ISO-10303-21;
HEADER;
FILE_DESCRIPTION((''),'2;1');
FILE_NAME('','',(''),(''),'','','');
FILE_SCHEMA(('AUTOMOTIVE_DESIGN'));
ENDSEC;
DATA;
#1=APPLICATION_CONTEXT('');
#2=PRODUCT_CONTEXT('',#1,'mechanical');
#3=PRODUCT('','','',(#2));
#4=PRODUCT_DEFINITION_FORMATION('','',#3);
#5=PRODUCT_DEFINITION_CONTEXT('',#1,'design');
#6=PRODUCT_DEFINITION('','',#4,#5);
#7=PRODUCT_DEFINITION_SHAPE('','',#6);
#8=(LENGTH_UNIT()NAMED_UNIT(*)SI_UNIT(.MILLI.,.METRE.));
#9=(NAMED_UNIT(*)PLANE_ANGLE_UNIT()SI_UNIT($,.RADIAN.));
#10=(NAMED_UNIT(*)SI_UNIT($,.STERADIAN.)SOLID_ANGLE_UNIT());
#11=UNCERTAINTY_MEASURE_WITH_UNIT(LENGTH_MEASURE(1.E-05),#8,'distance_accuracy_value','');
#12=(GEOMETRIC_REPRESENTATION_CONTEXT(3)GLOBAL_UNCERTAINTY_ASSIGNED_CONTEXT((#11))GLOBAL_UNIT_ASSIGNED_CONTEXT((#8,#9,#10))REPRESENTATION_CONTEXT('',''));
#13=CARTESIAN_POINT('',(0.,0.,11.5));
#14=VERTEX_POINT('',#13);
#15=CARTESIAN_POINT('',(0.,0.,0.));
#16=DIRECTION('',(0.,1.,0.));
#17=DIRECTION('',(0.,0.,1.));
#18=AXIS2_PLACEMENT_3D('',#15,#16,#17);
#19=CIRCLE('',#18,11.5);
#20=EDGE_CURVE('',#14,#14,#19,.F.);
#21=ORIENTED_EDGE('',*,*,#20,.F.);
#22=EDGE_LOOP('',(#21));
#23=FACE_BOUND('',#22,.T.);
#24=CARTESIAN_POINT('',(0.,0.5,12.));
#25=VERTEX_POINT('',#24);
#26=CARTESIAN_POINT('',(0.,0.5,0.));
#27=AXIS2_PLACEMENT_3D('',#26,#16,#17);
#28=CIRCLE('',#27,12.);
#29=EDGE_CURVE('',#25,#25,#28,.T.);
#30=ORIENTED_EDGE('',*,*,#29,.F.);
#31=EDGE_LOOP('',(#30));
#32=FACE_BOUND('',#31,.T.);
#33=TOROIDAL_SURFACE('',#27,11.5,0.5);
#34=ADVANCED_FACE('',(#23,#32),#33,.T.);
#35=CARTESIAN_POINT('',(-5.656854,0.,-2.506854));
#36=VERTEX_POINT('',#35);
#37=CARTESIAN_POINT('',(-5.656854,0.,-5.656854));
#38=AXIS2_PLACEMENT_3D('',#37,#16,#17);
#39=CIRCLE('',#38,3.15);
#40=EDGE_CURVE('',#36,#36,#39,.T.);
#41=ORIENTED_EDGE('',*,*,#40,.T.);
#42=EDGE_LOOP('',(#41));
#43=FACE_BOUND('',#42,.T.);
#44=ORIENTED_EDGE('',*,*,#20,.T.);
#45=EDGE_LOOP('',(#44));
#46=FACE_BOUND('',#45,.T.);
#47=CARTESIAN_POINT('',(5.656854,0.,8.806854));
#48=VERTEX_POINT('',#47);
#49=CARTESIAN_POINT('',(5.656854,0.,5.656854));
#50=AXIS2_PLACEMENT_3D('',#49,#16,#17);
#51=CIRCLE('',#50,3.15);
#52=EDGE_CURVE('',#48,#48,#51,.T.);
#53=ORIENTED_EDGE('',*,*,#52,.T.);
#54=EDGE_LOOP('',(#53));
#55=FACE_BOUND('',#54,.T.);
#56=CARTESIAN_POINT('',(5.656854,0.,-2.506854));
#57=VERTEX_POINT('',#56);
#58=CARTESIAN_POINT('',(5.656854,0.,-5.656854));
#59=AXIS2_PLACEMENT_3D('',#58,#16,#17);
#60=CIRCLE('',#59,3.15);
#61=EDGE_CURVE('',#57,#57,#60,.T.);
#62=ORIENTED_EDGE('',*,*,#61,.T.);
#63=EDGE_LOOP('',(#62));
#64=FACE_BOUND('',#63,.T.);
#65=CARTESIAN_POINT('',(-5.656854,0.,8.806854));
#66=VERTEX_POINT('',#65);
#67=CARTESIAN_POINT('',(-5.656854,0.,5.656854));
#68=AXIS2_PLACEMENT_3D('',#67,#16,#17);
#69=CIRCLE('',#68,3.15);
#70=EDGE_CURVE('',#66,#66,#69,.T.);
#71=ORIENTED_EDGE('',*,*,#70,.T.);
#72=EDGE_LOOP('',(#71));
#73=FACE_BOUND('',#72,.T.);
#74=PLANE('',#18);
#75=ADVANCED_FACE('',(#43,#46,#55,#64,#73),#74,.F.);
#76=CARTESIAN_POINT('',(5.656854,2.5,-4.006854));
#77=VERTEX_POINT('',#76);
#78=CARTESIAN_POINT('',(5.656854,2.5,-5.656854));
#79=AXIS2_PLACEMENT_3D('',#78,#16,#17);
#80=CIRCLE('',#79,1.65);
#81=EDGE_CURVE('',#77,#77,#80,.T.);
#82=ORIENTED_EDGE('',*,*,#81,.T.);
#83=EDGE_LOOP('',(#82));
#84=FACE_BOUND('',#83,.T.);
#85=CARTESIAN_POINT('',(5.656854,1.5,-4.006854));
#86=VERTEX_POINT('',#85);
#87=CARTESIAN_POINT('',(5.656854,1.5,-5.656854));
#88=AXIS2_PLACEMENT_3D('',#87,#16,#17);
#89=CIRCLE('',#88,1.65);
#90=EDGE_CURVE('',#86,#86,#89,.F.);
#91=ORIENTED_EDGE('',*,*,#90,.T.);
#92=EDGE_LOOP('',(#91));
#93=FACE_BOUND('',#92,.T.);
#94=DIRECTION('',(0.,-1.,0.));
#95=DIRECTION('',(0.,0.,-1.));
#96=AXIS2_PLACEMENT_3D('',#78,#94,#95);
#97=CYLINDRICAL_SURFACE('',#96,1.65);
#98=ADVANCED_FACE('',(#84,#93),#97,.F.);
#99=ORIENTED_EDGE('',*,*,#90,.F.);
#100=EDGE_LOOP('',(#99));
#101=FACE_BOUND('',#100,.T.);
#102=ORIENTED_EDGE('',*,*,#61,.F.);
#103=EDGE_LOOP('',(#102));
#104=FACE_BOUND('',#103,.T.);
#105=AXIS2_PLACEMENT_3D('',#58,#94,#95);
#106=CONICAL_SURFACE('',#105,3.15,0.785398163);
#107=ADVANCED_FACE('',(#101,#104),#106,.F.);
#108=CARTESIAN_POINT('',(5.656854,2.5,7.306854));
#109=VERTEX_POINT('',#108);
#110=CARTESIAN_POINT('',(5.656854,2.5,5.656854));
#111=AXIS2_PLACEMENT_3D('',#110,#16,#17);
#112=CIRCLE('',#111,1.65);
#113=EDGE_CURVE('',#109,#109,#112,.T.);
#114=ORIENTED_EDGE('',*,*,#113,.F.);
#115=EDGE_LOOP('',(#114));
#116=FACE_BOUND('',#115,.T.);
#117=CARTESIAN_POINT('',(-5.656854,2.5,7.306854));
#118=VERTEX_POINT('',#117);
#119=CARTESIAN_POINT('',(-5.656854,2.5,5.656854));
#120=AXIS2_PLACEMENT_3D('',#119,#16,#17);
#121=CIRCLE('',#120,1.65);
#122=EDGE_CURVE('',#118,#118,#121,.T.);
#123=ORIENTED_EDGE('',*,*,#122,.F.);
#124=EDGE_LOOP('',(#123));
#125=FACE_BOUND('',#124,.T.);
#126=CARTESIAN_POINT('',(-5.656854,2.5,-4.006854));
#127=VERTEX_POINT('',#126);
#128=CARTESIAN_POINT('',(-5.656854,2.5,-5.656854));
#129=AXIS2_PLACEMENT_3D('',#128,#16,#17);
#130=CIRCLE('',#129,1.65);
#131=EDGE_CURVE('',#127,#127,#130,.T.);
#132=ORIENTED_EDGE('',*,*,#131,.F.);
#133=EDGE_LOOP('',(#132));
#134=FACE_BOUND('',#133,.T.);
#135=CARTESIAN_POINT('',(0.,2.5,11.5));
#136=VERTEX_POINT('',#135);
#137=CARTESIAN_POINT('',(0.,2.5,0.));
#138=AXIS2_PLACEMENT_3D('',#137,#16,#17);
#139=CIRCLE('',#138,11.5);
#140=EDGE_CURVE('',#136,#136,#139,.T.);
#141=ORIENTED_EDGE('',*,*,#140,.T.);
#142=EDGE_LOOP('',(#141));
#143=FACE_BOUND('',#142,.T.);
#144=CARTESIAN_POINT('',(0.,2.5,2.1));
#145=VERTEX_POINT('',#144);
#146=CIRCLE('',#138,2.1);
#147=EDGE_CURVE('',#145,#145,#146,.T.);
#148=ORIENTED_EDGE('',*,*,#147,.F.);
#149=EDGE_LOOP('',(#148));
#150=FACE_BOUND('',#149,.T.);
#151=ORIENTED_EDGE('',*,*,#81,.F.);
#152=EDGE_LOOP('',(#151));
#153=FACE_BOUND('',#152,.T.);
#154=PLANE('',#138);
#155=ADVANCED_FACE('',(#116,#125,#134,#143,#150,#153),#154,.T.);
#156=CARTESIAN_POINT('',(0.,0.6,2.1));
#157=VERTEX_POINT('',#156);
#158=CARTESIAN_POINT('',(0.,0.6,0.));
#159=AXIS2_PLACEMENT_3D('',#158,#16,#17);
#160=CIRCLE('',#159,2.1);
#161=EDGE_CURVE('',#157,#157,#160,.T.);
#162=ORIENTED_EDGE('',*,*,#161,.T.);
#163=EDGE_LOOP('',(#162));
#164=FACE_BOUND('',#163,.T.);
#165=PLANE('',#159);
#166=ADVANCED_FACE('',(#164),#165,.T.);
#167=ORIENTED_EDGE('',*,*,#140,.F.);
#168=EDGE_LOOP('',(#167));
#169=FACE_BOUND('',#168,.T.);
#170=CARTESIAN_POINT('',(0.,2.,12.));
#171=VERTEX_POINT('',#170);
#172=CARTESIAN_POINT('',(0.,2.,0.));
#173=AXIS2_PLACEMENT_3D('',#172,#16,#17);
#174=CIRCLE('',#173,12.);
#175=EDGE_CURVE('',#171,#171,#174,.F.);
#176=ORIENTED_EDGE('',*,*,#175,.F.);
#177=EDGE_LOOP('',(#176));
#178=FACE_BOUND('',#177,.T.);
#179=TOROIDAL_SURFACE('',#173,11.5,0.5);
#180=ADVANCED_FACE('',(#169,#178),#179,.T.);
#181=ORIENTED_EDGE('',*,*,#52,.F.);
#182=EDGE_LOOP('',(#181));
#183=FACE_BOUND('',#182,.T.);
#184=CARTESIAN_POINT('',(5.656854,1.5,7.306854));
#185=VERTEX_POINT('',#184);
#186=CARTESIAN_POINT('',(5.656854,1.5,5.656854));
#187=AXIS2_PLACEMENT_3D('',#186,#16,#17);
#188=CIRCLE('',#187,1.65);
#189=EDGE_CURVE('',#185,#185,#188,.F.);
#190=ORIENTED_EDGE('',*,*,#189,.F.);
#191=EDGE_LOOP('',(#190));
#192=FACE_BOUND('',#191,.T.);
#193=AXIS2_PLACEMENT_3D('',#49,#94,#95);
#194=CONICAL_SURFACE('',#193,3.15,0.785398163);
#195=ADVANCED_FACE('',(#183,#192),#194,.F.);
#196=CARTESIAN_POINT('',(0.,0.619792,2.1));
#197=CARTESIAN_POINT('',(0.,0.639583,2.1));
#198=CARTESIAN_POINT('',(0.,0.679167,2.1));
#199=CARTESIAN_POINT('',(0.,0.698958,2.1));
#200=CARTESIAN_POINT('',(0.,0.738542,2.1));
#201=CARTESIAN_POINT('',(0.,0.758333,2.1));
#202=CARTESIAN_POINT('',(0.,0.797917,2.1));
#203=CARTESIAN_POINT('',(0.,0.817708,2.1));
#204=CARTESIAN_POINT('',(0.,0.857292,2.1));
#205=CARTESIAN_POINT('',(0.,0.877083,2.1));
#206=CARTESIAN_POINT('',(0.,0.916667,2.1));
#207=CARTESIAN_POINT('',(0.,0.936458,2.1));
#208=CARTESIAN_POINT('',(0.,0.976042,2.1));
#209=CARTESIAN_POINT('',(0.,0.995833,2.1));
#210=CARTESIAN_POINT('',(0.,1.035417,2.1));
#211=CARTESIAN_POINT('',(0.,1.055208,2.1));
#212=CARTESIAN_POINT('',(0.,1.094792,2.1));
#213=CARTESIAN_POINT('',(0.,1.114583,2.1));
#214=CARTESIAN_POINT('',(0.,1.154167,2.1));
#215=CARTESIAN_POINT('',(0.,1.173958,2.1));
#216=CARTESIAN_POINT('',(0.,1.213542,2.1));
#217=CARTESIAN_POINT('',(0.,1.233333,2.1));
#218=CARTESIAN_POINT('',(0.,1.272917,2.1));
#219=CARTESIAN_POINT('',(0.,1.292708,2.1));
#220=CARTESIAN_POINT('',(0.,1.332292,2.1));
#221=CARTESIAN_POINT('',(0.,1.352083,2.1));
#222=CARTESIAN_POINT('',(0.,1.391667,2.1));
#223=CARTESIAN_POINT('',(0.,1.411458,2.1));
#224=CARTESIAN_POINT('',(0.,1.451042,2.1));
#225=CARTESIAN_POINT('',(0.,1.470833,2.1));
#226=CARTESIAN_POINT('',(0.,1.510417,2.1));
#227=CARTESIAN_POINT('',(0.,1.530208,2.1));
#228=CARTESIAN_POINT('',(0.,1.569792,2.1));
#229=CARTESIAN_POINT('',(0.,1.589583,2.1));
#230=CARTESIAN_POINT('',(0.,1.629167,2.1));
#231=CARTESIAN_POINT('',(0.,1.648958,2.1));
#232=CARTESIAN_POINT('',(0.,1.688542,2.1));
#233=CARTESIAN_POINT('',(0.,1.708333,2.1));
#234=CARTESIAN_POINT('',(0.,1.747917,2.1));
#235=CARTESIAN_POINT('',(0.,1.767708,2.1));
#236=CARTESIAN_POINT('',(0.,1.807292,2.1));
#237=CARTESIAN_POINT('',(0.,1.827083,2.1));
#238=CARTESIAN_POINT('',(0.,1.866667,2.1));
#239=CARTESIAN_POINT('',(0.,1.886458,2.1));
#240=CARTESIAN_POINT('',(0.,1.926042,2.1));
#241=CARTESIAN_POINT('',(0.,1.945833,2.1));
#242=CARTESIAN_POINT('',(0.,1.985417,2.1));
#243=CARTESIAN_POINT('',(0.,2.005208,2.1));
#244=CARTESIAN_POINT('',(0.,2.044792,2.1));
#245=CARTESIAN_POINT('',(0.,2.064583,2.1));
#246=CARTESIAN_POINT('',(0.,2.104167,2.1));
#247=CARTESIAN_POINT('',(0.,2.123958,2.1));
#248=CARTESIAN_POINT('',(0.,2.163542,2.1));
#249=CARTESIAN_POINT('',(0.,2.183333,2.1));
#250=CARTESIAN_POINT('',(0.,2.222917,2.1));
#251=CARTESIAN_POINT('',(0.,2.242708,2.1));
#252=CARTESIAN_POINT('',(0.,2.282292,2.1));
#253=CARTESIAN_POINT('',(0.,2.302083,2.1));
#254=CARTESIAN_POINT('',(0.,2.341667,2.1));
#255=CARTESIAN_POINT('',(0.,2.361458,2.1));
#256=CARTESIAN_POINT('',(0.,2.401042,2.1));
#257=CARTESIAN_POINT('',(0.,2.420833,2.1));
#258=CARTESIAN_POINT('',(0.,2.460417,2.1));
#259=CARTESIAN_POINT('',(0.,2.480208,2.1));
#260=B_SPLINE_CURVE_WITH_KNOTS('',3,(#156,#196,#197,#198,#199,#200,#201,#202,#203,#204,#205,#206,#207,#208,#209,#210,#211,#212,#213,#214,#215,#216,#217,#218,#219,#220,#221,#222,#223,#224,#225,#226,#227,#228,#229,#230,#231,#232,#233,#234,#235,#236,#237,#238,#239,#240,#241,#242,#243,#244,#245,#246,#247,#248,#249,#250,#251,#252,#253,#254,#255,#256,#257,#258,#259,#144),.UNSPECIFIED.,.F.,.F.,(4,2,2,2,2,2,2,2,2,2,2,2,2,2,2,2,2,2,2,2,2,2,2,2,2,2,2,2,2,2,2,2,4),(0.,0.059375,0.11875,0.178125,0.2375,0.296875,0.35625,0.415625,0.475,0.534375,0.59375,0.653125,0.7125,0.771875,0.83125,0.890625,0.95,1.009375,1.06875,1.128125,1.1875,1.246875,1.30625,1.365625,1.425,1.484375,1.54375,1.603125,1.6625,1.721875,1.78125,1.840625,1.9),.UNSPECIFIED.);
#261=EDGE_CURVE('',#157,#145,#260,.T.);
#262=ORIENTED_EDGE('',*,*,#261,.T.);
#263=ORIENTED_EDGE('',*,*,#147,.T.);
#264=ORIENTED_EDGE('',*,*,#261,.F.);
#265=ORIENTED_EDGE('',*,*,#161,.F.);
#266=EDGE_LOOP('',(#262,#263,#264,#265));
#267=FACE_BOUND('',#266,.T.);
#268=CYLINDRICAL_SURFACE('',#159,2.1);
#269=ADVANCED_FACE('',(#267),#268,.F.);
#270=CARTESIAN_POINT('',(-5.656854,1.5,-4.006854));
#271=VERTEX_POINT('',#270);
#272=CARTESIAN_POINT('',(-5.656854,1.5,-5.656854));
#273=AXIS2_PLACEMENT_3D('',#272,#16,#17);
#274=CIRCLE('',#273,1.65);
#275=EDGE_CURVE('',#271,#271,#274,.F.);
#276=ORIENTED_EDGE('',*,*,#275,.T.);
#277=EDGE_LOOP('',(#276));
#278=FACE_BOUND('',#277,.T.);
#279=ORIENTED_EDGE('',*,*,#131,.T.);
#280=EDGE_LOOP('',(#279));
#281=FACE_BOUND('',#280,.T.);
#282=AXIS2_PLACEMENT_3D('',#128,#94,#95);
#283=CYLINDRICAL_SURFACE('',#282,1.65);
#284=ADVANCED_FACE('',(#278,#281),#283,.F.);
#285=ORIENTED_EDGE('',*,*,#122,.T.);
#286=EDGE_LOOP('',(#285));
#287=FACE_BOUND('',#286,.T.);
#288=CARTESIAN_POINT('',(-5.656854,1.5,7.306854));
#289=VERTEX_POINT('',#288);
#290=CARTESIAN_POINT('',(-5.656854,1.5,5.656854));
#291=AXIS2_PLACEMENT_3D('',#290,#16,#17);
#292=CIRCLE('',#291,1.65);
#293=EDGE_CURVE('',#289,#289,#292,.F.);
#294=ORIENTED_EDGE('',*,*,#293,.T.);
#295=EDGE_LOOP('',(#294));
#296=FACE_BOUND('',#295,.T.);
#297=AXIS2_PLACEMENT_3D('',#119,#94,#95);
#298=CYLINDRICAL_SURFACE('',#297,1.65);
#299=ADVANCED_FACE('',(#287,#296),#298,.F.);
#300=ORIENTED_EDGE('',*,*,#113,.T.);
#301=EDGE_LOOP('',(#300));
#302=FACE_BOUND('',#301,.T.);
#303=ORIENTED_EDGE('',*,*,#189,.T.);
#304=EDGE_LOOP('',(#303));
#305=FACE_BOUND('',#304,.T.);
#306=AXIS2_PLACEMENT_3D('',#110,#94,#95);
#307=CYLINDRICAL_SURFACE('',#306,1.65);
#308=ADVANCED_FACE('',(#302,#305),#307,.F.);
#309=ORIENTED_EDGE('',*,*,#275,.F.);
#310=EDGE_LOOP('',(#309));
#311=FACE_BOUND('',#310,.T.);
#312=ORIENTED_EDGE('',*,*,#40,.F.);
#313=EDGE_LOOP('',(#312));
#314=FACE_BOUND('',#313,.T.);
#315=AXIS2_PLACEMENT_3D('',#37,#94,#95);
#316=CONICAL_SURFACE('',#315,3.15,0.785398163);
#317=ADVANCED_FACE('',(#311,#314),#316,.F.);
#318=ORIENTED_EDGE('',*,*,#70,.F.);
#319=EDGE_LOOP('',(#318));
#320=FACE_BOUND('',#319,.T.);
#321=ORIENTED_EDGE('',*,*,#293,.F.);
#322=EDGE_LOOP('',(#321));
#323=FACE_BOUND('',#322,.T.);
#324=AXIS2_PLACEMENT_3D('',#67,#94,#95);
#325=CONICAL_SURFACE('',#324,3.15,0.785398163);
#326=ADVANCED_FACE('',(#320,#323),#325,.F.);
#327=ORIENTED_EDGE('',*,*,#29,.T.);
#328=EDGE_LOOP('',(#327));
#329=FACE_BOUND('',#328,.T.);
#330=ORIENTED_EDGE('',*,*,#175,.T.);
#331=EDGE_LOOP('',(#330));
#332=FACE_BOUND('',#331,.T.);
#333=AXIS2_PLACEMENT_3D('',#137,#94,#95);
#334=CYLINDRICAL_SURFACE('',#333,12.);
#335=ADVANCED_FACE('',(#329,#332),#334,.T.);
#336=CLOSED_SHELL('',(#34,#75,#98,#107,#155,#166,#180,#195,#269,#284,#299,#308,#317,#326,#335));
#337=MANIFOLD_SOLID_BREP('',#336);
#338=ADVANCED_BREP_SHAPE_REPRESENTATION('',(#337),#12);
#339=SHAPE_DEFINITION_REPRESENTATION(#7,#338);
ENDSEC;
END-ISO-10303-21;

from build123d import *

# Parameters (mm, degrees)
SKETCH1_R           = 12
SKETCH1_R_2         = 1.65
BOSS_EXTRUDE1_DEPTH = 2.5
SKETCH2_R           = 2.1
CUT_EXTRUDE1_DEPTH  = 1.9
CHAMFER1_SIZE       = 1.5
FILLET1_R           = 0.5


with BuildPart() as part:
    # Sketch1 → Boss-Extrude1 (new body)
    with BuildSketch(Plane(origin=(0, 0, 0), x_dir=(1, 0, 0), z_dir=(0, 1, 0))):
        with Locations(Location((0, 0, 0), (0, 0, 270))):
            Circle(SKETCH1_R)
        with Locations(Location((-5.656854249, 5.656854249, 0), (0, 0, 270))):
            Circle(SKETCH1_R_2, mode=Mode.SUBTRACT)
        with Locations(Location((5.656854249, 5.656854249, 0), (0, 0, 270))):
            Circle(SKETCH1_R_2, mode=Mode.SUBTRACT)
        with Locations(Location((5.656854249, -5.656854249, 0), (0, 0, 270))):
            Circle(SKETCH1_R_2, mode=Mode.SUBTRACT)
        with Locations(Location((-5.656854249, -5.656854249, 0), (0, 0, 270))):
            Circle(SKETCH1_R_2, mode=Mode.SUBTRACT)
    extrude(amount=BOSS_EXTRUDE1_DEPTH)

    # Sketch2 → Cut-Extrude1 (cut)
    with BuildSketch(Plane(origin=(0, 2.5, 0), x_dir=(1, 0, 0), z_dir=(0, 1, 0))):
        with Locations(Location((0, 0, 0), (0, 0, 270))):
            Circle(SKETCH2_R)
    extrude(amount=-CUT_EXTRUDE1_DEPTH, mode=Mode.SUBTRACT)

    # Chamfer1
    chamfer1_edges = [part.edges().sort_by_distance(p)[0] for p in [
        (5.656854249, 0, 4.006854249),
        (-5.656854249, 0, 4.006854249),
        (-5.656854249, 0, -7.306854249),
        (5.656854249, 0, -7.306854249),
    ]]
    chamfer(chamfer1_edges, length=CHAMFER1_SIZE)

    # Fillet1
    fillet1_edges = [part.edges().sort_by_distance(p)[0] for p in [
        (0, 0, -12),
        (0, 2.5, -12),
    ]]
    fillet(fillet1_edges, radius=FILLET1_R)


solid = part.part
